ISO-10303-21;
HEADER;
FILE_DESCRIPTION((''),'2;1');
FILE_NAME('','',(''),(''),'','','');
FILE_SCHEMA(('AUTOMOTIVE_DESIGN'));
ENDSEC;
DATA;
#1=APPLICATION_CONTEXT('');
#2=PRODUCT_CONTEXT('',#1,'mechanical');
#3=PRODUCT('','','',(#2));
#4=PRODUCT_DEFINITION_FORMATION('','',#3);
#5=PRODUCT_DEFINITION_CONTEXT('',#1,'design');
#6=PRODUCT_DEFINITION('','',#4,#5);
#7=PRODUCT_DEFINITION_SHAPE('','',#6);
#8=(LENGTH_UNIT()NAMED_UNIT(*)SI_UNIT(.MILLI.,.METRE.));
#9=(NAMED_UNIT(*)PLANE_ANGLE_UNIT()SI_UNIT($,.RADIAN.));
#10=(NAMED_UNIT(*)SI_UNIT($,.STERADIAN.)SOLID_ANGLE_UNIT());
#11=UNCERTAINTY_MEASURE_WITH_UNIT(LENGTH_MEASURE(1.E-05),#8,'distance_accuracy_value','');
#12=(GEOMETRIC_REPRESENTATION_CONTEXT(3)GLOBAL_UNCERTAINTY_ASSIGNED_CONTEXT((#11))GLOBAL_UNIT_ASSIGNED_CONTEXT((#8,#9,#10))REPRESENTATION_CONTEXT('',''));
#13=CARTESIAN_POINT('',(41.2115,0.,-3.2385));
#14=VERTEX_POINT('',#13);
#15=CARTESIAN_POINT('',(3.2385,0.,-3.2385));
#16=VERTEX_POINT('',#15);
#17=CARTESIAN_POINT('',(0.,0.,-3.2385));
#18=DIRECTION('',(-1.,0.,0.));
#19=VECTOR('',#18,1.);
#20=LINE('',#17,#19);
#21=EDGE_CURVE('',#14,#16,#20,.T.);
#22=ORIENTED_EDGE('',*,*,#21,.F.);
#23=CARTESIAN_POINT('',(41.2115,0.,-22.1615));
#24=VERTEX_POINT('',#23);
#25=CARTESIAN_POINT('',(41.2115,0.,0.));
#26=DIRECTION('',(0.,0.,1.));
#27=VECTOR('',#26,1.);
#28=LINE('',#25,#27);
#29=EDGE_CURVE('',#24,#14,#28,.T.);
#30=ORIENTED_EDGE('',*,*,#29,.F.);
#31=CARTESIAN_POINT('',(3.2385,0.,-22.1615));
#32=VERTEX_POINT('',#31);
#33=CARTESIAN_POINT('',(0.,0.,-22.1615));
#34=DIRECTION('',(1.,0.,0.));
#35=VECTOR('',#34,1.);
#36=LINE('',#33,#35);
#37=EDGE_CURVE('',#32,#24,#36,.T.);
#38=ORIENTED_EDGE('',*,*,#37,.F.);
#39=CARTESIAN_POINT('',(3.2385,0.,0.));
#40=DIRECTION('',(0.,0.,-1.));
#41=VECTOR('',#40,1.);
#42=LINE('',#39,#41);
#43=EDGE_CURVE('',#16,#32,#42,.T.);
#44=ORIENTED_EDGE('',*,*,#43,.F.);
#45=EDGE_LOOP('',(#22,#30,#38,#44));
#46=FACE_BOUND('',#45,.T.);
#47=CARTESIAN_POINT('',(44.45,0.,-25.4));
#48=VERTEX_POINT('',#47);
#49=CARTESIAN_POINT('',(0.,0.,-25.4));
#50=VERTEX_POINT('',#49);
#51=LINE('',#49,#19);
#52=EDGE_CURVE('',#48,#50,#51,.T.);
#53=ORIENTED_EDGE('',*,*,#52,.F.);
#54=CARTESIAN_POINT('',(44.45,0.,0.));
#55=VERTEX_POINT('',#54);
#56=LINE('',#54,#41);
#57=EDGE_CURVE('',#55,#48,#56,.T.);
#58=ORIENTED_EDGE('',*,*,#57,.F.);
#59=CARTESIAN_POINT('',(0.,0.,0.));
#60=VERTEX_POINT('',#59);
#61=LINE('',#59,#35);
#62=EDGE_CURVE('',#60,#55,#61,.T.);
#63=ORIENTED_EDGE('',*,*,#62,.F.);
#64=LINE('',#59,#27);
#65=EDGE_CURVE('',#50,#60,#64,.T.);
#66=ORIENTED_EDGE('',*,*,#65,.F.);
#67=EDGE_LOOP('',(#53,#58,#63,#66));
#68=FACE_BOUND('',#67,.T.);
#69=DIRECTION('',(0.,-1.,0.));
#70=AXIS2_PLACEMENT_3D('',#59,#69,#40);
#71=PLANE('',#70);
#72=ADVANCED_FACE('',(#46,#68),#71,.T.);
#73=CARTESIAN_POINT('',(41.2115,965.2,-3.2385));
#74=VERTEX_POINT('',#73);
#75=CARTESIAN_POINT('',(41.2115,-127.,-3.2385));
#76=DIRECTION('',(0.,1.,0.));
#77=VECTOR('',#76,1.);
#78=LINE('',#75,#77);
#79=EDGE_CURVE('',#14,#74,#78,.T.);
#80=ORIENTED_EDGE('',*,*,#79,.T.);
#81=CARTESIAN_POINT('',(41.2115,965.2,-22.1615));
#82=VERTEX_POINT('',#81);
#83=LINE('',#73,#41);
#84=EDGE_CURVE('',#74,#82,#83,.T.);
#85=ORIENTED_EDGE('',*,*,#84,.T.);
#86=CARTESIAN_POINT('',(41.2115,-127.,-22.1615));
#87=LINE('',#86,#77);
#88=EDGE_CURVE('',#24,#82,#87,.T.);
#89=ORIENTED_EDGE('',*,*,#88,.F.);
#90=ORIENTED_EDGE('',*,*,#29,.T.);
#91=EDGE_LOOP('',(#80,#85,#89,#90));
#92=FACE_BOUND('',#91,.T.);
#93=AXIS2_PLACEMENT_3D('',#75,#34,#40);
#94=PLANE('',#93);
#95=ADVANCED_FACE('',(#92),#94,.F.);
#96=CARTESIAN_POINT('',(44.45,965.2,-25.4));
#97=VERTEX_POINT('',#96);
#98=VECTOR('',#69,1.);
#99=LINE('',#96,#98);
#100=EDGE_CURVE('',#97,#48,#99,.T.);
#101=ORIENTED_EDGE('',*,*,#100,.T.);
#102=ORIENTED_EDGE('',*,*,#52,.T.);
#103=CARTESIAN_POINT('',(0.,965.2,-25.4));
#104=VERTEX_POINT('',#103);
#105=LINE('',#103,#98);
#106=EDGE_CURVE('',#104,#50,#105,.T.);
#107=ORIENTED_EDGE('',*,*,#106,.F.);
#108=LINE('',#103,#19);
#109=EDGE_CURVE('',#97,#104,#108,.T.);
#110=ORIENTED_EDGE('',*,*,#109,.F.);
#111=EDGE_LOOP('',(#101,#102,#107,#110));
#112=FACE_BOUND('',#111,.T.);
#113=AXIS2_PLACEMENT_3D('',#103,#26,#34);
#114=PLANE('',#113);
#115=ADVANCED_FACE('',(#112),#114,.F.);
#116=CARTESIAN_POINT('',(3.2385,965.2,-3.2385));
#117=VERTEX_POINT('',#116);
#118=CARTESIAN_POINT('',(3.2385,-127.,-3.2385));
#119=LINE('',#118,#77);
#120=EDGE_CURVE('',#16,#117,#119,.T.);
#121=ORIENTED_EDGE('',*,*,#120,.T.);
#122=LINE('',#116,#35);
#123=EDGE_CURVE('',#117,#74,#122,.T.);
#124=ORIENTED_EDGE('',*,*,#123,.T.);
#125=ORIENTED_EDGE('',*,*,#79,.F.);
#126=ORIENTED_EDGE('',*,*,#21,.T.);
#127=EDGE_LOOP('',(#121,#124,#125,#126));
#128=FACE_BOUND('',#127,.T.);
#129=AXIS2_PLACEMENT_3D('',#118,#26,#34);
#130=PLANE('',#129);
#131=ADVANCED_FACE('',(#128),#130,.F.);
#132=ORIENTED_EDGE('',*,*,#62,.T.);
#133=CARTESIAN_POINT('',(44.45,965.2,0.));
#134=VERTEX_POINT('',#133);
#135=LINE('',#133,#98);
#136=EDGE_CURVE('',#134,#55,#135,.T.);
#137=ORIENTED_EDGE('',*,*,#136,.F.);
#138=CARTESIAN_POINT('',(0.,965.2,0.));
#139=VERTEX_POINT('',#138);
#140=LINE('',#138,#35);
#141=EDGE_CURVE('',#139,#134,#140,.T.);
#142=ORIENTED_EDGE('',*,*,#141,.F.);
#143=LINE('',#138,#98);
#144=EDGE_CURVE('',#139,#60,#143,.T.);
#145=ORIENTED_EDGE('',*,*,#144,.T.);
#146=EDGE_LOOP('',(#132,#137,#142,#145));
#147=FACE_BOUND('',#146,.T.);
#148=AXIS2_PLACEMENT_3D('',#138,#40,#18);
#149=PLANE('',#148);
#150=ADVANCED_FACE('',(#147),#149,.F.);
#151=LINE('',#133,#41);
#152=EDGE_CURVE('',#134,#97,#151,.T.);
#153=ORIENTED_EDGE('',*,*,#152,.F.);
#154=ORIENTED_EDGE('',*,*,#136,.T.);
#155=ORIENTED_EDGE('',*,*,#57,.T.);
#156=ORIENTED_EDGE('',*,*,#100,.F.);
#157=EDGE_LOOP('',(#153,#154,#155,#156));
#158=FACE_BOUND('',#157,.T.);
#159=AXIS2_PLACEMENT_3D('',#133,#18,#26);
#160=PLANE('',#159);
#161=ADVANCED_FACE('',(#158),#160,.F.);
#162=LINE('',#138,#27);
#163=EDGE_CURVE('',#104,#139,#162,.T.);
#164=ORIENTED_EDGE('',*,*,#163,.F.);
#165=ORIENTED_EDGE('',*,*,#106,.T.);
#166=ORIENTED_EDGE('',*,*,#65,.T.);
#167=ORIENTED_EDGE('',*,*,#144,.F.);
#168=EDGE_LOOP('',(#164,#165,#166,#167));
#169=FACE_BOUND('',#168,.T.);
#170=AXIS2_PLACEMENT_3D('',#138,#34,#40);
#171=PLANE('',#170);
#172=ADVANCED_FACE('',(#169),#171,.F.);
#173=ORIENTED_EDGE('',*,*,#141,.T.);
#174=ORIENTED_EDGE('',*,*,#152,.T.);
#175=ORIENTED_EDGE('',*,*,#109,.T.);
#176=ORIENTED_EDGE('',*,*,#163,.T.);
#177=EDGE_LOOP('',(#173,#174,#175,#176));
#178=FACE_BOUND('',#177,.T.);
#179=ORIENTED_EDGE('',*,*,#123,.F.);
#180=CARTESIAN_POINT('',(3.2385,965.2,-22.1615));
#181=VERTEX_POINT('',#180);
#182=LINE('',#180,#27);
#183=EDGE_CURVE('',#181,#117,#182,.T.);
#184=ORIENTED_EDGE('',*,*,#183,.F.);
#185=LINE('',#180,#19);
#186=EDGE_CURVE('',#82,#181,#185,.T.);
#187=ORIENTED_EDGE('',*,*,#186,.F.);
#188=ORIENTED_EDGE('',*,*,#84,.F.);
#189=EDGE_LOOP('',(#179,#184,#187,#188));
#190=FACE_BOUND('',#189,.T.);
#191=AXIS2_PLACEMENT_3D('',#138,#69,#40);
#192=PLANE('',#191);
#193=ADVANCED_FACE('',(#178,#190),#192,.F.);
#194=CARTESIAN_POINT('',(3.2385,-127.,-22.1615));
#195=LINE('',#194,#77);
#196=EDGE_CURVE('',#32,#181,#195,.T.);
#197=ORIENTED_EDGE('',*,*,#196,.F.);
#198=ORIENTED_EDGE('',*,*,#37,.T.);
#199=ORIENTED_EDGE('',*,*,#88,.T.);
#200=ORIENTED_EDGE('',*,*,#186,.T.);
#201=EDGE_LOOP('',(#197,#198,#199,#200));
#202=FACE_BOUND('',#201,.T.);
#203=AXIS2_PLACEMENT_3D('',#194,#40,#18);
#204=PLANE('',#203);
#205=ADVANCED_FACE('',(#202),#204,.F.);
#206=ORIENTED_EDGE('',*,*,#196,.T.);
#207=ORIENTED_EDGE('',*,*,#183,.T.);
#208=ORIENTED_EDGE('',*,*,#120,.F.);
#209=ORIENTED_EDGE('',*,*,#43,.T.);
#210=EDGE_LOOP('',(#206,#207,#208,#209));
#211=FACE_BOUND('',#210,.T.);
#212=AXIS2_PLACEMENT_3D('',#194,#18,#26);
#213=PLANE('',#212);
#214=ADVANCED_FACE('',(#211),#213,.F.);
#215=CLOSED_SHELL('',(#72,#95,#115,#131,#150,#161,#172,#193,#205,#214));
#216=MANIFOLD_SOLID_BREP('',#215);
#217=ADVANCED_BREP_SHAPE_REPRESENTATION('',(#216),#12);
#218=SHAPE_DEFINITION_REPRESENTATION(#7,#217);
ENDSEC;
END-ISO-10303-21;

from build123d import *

# Parameters (mm, degrees)
SKETCH2_W           = 44.45
SKETCH2_H           = 25.4
BOSS_EXTRUDE2_DEPTH = 965.2
SKETCH3_W           = 37.973
SKETCH3_H           = 18.923
CUT_EXTRUDE1_DEPTH  = 1092.2


with BuildPart() as part:
    # Sketch2 → Boss-Extrude2 (new body)
    with BuildSketch(Plane(origin=(0, 0, 0), x_dir=(1, 0, 0), z_dir=(0, 1, 0))):
        with Locations((22.225, 12.7)):
            Rectangle(SKETCH2_W, SKETCH2_H)
    extrude(amount=BOSS_EXTRUDE2_DEPTH)

    # Sketch3 → Cut-Extrude1 (cut)
    with BuildSketch(Plane(origin=(0, 965.2, 0), x_dir=(1, 0, 0), z_dir=(0, 1, 0))):
        with Locations((22.225, 12.7)):
            Rectangle(SKETCH3_W, SKETCH3_H)
    extrude(amount=-CUT_EXTRUDE1_DEPTH, mode=Mode.SUBTRACT)


solid = part.part
